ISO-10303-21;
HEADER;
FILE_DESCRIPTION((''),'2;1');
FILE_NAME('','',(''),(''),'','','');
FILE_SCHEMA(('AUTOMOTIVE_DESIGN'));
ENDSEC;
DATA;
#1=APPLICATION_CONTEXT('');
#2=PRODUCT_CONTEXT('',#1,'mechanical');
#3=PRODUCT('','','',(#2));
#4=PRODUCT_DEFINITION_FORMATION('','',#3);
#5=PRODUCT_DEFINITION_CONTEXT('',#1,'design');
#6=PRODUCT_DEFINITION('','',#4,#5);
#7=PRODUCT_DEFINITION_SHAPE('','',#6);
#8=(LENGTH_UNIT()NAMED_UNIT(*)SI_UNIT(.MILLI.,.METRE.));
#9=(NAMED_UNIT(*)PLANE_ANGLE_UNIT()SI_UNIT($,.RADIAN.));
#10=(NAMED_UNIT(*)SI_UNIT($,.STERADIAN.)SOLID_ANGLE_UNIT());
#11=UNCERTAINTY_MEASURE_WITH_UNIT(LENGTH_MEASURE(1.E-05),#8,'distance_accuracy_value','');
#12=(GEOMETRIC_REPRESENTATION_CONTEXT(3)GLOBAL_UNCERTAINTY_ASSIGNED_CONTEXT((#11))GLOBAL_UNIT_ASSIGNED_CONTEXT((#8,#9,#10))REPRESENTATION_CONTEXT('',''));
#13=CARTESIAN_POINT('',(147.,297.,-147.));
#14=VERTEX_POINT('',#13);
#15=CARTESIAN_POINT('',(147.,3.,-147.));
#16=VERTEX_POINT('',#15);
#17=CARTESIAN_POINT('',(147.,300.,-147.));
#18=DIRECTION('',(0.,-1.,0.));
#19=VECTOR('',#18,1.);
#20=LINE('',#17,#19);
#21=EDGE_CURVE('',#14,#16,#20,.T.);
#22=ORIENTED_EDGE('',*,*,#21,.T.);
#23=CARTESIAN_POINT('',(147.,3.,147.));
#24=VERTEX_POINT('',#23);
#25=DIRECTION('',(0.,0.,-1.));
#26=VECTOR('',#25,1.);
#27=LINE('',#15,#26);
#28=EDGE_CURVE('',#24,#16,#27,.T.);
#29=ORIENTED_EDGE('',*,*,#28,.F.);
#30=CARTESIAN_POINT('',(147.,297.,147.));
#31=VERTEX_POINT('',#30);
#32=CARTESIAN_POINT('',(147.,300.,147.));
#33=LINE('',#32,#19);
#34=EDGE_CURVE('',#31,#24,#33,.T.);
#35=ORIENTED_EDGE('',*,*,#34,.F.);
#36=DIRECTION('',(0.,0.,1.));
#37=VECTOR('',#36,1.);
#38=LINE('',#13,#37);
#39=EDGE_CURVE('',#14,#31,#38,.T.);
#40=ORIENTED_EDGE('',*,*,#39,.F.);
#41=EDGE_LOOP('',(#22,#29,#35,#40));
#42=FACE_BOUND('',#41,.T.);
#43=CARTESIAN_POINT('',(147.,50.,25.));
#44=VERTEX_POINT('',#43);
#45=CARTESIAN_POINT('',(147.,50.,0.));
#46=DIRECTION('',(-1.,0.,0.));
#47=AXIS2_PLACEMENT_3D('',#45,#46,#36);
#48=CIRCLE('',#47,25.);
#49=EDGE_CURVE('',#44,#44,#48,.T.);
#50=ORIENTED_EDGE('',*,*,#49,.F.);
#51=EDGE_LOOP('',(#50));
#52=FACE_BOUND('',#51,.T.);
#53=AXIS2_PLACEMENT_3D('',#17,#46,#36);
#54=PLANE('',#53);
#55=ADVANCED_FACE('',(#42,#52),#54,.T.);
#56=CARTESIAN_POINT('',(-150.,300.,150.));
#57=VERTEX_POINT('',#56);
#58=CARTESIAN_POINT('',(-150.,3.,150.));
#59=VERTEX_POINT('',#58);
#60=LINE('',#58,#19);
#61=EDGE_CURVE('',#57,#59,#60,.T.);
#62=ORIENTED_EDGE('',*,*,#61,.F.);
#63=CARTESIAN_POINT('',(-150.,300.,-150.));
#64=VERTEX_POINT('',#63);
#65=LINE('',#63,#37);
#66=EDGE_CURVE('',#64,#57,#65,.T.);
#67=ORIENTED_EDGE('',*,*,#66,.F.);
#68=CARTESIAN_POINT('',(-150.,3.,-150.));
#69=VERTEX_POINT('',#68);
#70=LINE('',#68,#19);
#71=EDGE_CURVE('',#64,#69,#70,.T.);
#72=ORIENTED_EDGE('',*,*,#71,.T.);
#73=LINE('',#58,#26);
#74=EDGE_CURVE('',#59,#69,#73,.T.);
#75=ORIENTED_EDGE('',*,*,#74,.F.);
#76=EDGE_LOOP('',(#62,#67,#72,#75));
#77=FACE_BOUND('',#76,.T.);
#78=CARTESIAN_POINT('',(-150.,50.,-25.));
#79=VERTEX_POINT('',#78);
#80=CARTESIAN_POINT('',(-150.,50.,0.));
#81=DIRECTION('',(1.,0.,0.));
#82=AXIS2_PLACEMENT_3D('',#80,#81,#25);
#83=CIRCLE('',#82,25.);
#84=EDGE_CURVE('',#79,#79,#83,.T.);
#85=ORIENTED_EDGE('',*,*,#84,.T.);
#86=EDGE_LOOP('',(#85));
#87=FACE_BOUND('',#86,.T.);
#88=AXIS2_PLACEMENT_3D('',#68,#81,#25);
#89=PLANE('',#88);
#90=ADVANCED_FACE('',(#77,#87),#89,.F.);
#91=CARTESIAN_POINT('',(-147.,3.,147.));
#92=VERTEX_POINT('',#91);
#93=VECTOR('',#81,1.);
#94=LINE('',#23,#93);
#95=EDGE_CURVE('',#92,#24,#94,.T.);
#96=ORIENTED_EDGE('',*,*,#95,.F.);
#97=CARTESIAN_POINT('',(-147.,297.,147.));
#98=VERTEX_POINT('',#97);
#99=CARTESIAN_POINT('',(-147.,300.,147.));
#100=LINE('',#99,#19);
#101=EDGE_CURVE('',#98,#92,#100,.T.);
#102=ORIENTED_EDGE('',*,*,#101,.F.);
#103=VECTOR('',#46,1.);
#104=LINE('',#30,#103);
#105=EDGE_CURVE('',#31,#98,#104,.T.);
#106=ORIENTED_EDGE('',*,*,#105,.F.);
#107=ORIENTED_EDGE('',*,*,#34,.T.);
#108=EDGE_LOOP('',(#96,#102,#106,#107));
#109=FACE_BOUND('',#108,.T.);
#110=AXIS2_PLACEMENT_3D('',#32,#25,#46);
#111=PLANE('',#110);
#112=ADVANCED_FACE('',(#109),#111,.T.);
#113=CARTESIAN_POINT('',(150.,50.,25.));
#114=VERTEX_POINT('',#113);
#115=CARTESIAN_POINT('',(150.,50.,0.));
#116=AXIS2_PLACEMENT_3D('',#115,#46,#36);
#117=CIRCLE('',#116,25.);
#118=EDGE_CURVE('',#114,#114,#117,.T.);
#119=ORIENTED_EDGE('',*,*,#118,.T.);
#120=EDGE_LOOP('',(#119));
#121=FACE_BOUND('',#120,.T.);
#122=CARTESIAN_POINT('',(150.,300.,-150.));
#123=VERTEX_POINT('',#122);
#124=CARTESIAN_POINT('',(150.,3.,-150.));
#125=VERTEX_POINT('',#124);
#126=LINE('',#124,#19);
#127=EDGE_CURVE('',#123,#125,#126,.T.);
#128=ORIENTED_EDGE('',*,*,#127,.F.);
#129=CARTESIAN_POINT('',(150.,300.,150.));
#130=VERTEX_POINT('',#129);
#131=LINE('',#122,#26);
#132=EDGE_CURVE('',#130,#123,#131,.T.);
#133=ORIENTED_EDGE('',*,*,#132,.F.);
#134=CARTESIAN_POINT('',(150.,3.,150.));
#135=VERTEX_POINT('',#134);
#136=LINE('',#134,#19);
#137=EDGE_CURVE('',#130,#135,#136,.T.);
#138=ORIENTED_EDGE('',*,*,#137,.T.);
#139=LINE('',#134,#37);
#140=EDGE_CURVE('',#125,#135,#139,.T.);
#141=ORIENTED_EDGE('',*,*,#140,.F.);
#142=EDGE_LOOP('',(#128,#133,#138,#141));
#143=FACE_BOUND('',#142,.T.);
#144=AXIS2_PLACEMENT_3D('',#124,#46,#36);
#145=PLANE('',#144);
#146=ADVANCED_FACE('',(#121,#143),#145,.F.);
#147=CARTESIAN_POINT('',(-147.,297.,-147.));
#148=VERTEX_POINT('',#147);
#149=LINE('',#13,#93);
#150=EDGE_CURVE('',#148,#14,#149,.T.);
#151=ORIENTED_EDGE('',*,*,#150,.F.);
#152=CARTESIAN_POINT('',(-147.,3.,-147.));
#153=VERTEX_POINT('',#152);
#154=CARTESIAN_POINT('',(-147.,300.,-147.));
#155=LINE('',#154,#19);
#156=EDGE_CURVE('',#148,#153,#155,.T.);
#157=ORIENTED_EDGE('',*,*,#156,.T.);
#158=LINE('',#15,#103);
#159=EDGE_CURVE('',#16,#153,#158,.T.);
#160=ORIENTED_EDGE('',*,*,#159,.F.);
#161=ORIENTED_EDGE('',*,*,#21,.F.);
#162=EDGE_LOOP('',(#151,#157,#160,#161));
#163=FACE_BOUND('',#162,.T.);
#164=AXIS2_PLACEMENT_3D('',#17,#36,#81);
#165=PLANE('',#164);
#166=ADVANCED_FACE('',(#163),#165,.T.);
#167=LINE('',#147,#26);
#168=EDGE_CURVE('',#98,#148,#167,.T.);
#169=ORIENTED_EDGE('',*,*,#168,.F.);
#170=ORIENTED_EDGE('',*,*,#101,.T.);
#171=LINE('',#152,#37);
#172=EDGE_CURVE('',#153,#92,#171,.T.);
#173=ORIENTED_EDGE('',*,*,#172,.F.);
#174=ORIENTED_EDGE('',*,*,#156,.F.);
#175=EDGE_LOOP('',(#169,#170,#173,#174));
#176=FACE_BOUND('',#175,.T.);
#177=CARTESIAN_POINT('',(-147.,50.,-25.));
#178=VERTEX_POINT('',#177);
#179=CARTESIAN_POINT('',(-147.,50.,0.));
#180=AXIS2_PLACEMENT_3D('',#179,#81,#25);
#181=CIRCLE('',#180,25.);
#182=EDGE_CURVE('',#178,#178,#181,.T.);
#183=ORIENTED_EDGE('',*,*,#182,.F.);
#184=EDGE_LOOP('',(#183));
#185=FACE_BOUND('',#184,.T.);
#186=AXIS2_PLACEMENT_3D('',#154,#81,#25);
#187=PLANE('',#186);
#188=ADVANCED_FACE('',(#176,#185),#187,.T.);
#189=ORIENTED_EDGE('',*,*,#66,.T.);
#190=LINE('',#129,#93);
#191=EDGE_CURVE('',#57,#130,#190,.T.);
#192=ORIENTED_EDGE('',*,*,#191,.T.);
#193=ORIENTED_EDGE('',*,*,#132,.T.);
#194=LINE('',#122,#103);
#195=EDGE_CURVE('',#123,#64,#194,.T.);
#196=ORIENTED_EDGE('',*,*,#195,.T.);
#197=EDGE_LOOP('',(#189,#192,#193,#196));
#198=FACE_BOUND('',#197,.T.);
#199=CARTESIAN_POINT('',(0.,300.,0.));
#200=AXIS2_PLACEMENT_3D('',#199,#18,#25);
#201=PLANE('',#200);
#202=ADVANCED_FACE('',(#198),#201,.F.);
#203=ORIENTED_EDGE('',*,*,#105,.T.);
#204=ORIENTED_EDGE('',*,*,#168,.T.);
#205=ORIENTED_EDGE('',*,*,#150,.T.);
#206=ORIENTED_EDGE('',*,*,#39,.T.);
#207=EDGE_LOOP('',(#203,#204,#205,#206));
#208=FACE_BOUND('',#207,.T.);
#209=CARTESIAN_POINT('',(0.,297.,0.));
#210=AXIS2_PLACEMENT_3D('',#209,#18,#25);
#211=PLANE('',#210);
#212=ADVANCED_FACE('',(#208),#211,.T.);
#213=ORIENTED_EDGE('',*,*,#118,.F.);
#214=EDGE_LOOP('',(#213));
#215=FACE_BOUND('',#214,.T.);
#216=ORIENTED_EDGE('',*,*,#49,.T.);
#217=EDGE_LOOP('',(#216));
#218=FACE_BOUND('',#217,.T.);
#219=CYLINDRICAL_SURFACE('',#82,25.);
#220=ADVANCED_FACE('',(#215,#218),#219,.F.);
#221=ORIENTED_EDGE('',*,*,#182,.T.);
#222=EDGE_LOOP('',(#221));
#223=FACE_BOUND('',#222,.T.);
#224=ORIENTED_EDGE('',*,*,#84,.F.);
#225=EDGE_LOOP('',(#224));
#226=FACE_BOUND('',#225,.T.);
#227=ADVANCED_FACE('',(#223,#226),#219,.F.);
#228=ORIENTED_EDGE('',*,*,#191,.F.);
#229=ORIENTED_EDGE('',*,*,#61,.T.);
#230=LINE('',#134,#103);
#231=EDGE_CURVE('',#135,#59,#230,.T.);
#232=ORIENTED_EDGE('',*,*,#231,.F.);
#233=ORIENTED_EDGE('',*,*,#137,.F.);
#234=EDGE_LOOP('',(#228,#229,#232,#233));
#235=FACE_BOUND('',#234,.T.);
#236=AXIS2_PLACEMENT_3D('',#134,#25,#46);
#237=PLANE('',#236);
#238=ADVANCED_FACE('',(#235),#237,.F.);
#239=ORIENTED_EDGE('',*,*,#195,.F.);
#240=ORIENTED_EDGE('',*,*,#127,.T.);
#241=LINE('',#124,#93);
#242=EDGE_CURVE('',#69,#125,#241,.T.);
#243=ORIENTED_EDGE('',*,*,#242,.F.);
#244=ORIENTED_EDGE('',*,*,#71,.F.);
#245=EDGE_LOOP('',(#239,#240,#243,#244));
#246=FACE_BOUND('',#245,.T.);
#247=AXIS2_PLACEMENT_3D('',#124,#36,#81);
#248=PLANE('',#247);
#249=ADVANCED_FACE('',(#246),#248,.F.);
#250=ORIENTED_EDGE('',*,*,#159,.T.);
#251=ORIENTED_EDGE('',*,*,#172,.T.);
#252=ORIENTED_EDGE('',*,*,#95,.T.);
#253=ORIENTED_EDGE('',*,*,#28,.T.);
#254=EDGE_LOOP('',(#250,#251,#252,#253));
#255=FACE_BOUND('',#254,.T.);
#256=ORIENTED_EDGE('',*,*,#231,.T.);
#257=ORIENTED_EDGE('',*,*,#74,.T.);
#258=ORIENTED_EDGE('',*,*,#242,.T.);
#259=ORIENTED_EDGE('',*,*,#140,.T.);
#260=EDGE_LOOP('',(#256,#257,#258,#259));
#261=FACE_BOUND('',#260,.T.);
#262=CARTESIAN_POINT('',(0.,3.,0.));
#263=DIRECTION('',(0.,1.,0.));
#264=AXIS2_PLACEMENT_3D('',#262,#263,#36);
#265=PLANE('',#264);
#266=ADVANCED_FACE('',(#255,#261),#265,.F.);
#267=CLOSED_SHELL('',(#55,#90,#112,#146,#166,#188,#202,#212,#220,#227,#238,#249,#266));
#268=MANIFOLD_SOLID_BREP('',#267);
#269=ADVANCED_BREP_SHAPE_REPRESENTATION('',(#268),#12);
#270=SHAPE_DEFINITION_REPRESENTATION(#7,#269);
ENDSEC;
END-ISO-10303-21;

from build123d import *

# Parameters (mm, degrees)
SKETCH1_W               = 300
SKETCH1_H               = 300
BOSS_EXTRUDE1_DEPTH     = 3
SKETCH2_W               = 300
SKETCH2_H               = 300
SKETCH2_W_2             = 294
SKETCH2_H_2             = 294
BOSS_EXTRUDE2_DEPTH     = 297
SKETCH3_W               = 300
SKETCH3_H               = 300
BOSS_EXTRUDE3_DEPTH     = 3
SKETCH4_R               = 25
CUT_EXTRUDE1_DEPTH      = 1
CUT_EXTRUDE1_DEPTH_BACK = 301
SKETCH5_W               = 300
SKETCH5_H               = 300
CUT_EXTRUDE2_DEPTH      = 3


with BuildPart() as part:
    # Sketch1 → Boss-Extrude1 (new body)
    with BuildSketch(Plane(origin=(0, 0, 0), x_dir=(1, 0, 0), z_dir=(0, 1, 0))):
        Rectangle(SKETCH1_W, SKETCH1_H)
    extrude(amount=BOSS_EXTRUDE1_DEPTH)

    # Sketch2 → Boss-Extrude2 (add)
    with BuildSketch(Plane(origin=(0, 3, 0), x_dir=(1, 0, 0), z_dir=(0, 1, 0))):
        Rectangle(SKETCH2_W, SKETCH2_H)
        Rectangle(SKETCH2_W_2, SKETCH2_H_2, mode=Mode.SUBTRACT)
    extrude(amount=BOSS_EXTRUDE2_DEPTH)

    # Sketch3 → Boss-Extrude3 (add)
    with BuildSketch(Plane(origin=(0, 300, 0), x_dir=(1, 0, 0), z_dir=(0, 1, 0))):
        Rectangle(SKETCH3_W, SKETCH3_H)
    extrude(amount=-BOSS_EXTRUDE3_DEPTH)

    # Sketch4 → Cut-Extrude1 (cut, two sides)
    with BuildSketch(Plane(origin=(150, 0, 0), x_dir=(0, 0, -1), z_dir=(1, 0, 0))) as cut_extrude1_sk:
        with Locations((0, 50)):
            Circle(SKETCH4_R)
    extrude(amount=CUT_EXTRUDE1_DEPTH, mode=Mode.SUBTRACT)
    extrude(cut_extrude1_sk.sketch, amount=-CUT_EXTRUDE1_DEPTH_BACK, mode=Mode.SUBTRACT)

    # Sketch5 → Cut-Extrude2 (cut)
    with BuildSketch(Plane.XZ):
        Rectangle(SKETCH5_W, SKETCH5_H)
    extrude(amount=-CUT_EXTRUDE2_DEPTH, mode=Mode.SUBTRACT)


solid = part.part
